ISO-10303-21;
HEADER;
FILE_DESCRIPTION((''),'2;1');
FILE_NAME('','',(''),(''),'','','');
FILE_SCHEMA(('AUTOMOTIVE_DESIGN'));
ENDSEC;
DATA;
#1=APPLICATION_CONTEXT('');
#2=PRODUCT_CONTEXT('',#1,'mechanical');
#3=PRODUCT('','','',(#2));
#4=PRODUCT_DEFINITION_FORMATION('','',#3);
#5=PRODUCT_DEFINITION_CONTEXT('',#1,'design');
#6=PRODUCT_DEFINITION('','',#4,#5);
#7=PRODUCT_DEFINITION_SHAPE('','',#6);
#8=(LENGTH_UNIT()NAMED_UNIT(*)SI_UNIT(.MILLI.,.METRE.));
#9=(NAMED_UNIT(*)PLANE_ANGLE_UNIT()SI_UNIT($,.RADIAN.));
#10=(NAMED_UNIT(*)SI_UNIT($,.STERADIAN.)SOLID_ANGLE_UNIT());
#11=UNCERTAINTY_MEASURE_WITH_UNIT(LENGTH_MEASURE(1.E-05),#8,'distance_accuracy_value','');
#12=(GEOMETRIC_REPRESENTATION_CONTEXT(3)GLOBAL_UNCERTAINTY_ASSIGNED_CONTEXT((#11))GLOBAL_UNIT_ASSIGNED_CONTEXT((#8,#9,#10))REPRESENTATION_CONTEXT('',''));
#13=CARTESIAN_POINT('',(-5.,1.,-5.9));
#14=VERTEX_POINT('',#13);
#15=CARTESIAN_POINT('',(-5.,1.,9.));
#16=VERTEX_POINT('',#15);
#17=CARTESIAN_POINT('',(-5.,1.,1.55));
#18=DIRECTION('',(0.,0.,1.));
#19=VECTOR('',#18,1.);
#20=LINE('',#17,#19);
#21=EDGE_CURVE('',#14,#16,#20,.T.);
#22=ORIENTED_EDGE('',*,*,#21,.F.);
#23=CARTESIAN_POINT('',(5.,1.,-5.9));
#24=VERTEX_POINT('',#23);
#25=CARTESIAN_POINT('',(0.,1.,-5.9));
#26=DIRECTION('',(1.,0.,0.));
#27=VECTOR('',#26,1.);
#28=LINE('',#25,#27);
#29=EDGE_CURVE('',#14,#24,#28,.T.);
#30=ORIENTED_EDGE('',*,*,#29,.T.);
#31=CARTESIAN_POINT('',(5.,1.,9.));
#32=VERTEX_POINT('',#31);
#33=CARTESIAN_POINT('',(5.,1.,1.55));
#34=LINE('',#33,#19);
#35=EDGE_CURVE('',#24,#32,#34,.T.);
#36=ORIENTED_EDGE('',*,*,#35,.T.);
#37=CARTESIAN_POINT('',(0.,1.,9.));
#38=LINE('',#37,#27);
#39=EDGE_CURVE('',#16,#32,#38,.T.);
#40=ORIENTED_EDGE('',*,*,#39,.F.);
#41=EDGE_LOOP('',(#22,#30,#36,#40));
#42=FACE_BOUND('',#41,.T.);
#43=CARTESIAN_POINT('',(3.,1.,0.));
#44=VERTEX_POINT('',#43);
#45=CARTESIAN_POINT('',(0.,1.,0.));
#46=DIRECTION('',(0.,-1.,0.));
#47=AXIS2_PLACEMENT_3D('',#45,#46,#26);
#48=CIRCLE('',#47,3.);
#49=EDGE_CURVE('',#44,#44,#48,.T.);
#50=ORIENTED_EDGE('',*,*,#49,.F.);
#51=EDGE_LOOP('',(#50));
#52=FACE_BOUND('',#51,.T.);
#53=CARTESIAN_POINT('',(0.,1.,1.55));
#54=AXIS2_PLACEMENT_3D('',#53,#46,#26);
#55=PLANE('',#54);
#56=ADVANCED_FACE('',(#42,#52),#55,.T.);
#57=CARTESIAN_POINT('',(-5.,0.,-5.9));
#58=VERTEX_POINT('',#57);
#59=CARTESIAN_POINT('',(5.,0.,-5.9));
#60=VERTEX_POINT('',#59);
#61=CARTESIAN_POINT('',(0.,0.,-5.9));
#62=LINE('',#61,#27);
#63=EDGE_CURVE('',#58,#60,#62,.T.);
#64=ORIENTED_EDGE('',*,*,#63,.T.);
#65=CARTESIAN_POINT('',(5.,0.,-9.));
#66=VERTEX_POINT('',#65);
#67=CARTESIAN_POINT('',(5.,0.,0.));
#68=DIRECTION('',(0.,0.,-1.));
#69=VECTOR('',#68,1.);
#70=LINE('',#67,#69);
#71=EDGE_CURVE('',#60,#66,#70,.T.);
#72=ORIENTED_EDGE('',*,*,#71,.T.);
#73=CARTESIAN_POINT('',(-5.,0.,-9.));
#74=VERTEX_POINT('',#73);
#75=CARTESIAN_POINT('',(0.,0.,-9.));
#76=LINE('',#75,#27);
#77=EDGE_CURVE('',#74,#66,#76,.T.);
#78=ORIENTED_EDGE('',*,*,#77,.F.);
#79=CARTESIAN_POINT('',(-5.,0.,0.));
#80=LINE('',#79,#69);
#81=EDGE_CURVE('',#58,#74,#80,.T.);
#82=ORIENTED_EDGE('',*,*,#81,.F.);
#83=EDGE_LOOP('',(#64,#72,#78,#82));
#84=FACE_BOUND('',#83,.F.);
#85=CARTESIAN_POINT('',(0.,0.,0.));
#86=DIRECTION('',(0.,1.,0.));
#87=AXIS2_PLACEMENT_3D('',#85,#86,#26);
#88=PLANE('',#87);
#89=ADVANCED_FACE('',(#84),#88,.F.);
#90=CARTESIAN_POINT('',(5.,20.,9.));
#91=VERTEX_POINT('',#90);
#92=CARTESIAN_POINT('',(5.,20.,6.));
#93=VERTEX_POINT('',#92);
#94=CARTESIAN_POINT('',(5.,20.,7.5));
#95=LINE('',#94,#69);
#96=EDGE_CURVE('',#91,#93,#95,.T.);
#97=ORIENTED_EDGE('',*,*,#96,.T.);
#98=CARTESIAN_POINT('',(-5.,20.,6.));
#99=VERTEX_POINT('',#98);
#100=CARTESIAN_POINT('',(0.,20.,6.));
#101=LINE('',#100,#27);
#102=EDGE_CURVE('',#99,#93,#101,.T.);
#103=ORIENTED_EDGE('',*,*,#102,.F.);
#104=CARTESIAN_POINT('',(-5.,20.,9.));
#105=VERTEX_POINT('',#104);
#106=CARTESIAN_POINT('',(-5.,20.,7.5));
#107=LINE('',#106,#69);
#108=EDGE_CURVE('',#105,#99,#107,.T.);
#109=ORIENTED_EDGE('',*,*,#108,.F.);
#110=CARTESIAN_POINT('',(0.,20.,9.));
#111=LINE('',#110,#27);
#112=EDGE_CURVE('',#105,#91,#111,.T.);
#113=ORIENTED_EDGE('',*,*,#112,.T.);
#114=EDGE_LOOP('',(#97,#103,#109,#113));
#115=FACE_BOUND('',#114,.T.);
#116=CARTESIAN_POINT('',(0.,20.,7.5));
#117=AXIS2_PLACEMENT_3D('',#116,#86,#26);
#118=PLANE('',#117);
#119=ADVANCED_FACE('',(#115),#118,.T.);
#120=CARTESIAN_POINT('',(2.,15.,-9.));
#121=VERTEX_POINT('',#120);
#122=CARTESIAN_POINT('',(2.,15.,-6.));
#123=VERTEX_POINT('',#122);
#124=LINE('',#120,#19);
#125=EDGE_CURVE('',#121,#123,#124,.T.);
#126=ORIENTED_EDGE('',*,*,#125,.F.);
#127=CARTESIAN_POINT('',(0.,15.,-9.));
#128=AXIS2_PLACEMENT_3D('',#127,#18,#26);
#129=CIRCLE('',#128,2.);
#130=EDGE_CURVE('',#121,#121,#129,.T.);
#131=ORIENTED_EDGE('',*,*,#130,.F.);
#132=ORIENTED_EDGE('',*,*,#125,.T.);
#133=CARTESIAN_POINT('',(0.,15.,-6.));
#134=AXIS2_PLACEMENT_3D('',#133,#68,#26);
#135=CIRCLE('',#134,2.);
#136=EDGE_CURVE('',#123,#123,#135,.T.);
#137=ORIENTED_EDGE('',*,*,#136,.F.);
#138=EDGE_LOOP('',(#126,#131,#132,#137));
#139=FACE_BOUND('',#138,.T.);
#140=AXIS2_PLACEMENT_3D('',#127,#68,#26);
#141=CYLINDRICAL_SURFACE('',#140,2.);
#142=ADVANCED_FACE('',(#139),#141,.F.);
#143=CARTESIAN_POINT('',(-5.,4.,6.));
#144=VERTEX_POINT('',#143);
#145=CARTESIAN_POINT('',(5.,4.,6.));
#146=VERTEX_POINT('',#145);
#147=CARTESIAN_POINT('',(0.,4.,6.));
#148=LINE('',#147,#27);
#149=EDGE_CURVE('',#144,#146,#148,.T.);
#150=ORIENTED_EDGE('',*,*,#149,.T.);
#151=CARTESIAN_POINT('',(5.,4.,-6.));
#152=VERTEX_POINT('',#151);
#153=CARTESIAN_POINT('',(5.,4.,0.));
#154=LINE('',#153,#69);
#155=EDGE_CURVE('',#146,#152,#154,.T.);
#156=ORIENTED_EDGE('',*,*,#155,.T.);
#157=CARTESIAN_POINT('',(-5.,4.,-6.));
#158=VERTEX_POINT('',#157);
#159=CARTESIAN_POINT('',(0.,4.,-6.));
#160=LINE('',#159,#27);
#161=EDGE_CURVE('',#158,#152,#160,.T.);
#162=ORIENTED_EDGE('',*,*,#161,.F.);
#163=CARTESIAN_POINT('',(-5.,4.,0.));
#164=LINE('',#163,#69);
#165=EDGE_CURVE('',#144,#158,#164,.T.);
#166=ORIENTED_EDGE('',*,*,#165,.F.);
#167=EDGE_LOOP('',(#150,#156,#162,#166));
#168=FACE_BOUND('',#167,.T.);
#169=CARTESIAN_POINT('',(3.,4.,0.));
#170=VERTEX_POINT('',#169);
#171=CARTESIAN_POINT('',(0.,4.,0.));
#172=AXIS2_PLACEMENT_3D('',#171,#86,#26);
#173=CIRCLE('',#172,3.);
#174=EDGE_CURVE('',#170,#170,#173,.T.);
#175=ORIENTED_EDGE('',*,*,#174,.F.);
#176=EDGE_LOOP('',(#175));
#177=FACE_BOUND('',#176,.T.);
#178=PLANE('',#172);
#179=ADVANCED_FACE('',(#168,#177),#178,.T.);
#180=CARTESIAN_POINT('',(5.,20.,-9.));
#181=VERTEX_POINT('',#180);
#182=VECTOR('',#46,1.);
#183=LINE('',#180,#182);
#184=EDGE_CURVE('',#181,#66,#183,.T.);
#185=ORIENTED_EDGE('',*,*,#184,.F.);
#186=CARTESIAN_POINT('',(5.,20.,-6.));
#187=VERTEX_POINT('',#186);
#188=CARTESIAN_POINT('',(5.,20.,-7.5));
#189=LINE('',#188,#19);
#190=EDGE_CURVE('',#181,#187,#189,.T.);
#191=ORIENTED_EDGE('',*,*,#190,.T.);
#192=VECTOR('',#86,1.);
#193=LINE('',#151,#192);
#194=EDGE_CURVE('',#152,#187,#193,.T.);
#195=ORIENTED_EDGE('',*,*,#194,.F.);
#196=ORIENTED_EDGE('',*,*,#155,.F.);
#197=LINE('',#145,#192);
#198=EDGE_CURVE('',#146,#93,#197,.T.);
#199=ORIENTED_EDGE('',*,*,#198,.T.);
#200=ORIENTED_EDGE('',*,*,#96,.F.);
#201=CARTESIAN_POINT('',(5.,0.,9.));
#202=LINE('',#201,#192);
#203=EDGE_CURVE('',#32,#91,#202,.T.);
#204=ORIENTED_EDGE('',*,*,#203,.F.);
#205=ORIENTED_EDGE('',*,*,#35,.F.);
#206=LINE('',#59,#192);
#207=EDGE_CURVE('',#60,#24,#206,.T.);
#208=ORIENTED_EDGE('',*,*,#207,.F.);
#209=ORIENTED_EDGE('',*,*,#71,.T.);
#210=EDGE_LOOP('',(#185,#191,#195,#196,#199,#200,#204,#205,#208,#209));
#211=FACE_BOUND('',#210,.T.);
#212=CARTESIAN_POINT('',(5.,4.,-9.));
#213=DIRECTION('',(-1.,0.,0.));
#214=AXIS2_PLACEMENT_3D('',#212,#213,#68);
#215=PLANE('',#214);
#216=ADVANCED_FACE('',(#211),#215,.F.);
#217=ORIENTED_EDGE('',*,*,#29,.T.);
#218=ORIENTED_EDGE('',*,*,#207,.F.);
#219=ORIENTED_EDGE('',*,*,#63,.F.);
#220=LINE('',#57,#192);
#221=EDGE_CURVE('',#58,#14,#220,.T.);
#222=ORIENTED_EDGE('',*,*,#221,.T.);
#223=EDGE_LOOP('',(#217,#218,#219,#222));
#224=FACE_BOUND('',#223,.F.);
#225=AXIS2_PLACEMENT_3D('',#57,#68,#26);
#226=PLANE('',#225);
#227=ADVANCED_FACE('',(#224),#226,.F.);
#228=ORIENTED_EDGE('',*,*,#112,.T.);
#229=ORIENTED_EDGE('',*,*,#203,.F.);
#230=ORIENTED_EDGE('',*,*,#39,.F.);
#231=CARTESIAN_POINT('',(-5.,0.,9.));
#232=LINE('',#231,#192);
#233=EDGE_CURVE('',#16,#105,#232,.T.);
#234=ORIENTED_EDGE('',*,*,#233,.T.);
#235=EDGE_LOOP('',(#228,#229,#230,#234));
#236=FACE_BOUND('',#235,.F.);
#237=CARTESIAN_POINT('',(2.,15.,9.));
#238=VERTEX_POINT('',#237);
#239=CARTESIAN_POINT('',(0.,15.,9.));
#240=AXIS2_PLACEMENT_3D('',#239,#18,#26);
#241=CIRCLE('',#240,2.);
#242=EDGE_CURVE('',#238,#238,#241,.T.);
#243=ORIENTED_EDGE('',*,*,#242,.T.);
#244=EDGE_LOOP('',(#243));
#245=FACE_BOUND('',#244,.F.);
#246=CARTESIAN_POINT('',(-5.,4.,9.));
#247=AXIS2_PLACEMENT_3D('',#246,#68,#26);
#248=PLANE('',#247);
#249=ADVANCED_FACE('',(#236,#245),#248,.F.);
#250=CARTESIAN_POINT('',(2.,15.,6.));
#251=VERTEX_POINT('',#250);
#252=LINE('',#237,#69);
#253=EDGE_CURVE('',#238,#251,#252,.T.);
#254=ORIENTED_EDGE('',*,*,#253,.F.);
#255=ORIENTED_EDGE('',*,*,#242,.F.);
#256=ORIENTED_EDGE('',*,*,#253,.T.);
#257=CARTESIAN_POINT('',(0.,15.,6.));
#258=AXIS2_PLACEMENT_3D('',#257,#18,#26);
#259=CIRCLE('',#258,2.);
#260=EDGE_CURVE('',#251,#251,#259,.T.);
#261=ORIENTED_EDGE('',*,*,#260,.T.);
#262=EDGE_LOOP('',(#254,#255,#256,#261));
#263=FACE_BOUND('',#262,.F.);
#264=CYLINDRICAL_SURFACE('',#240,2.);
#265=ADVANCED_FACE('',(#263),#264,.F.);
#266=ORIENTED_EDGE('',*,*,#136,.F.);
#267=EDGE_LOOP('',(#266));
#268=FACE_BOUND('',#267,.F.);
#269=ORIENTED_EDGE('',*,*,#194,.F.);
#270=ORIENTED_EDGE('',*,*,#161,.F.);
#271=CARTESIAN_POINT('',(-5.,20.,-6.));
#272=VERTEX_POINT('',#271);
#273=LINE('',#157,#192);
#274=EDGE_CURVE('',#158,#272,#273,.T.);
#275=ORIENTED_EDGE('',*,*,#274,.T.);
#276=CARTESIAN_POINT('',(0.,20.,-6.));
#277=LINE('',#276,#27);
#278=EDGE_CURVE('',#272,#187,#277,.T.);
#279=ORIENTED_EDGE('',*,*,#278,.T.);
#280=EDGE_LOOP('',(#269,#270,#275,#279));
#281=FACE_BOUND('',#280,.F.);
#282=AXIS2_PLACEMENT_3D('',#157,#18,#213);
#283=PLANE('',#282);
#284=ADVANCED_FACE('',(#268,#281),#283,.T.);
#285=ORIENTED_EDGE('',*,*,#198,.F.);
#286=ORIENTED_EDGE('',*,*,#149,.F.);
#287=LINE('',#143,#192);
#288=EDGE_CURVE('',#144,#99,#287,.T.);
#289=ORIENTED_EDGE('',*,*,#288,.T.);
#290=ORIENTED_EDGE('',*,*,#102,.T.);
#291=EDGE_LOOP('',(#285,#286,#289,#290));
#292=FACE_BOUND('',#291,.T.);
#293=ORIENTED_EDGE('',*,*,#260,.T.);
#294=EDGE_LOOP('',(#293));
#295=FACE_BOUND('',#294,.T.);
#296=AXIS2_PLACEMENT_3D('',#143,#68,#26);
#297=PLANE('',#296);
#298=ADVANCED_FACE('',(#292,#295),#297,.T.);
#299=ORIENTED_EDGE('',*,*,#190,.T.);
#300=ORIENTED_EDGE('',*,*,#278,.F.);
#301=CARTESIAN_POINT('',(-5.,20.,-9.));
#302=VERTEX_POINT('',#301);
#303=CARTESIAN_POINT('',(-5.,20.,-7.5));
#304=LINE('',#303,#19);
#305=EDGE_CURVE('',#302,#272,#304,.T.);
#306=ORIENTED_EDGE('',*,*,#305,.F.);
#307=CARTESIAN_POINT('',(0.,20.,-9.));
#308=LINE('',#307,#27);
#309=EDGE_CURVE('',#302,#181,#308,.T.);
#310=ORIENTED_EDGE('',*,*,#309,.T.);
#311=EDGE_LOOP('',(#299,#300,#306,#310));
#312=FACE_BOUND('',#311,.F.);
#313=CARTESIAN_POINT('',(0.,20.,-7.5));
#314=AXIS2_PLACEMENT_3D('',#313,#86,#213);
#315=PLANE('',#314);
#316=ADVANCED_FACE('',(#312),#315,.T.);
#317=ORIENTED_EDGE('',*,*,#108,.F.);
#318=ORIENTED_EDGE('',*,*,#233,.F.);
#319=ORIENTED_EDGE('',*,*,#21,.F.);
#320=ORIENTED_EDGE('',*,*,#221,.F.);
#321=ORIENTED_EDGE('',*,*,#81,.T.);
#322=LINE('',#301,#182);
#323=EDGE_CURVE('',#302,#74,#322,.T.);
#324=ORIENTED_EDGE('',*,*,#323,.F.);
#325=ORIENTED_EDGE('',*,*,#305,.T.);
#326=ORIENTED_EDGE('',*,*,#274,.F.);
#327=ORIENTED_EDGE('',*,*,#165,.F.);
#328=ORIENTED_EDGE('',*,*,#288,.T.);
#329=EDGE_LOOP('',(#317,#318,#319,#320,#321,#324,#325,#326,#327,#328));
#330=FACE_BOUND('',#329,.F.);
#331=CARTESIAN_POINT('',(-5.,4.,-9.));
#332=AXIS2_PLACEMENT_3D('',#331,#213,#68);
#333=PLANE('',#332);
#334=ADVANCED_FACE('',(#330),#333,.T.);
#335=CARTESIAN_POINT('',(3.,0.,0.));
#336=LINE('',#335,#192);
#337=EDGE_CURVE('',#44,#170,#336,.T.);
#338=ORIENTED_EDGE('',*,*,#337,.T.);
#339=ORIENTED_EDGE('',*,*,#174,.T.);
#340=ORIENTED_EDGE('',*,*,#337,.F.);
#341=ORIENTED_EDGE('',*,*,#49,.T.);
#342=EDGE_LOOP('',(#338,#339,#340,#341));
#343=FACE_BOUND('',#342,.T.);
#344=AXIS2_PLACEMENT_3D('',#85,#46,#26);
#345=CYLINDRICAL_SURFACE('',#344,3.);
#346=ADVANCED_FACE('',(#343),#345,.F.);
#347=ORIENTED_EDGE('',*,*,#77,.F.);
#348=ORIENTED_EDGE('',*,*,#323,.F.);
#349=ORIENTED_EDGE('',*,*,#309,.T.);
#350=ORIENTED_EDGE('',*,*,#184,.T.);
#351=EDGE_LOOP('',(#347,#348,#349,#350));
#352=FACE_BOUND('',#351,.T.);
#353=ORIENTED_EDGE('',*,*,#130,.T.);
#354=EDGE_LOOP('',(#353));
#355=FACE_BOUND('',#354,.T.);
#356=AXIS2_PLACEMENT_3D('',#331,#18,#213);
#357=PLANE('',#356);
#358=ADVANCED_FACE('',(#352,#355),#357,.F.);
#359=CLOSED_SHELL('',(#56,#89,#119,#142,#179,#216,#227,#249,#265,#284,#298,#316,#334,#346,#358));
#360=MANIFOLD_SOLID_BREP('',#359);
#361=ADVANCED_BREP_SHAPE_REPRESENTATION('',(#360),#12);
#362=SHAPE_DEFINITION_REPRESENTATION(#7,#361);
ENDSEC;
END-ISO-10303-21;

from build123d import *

# Parameters (mm, degrees)
SKETCH_1_W          = 10
SKETCH_1_H          = 18
SKETCH_1_R          = 3
EXTRUDE_2_DEPTH     = 4
SKETCH_3_W          = 10
SKETCH_3_H          = 3
EXTRUDE_3_DEPTH     = 16
SKETCH_4_R          = 2
CUT_EXTRUDE_1_DEPTH = 19
SKETCH_6_W          = 10
SKETCH_6_H          = 14.9
CUT_EXTRUDE_2_DEPTH = 1


with BuildPart() as part:
    # 草图1 → 凸台-拉伸2 (new body)
    with BuildSketch(Plane(origin=(0, 0, 0), x_dir=(1, 0, 0), z_dir=(0, 1, 0))):
        Rectangle(SKETCH_1_W, SKETCH_1_H)
        Circle(SKETCH_1_R, mode=Mode.SUBTRACT)
    extrude(amount=EXTRUDE_2_DEPTH)

    # 草图3 → 凸台-拉伸3 (add)
    with BuildSketch(Plane(origin=(0, 4, 0), x_dir=(1, 0, 0), z_dir=(0, 1, 0))):
        with Locations((0, -7.5)):
            Rectangle(SKETCH_3_W, SKETCH_3_H)
    extrude_3 = extrude(amount=EXTRUDE_3_DEPTH)

    # 草图4 → 切除-拉伸1 (cut, through all)
    with BuildSketch(Plane.XY.offset(9)):
        with Locations((0, 15)):
            Circle(SKETCH_4_R)
    cut_extrude_1 = extrude(amount=-CUT_EXTRUDE_1_DEPTH, mode=Mode.SUBTRACT)

    # 镜向1: 凸台-拉伸3, 切除-拉伸1 across plane
    add(extrude_3.mirror(Plane.XY))
    add(cut_extrude_1.mirror(Plane.XY), mode=Mode.SUBTRACT)

    # 草图6 → 切除-拉伸2 (cut)
    with BuildSketch(Plane.XZ):
        with Locations((0, 1.55)):
            Rectangle(SKETCH_6_W, SKETCH_6_H)
    extrude(amount=-CUT_EXTRUDE_2_DEPTH, mode=Mode.SUBTRACT)


solid = part.part
